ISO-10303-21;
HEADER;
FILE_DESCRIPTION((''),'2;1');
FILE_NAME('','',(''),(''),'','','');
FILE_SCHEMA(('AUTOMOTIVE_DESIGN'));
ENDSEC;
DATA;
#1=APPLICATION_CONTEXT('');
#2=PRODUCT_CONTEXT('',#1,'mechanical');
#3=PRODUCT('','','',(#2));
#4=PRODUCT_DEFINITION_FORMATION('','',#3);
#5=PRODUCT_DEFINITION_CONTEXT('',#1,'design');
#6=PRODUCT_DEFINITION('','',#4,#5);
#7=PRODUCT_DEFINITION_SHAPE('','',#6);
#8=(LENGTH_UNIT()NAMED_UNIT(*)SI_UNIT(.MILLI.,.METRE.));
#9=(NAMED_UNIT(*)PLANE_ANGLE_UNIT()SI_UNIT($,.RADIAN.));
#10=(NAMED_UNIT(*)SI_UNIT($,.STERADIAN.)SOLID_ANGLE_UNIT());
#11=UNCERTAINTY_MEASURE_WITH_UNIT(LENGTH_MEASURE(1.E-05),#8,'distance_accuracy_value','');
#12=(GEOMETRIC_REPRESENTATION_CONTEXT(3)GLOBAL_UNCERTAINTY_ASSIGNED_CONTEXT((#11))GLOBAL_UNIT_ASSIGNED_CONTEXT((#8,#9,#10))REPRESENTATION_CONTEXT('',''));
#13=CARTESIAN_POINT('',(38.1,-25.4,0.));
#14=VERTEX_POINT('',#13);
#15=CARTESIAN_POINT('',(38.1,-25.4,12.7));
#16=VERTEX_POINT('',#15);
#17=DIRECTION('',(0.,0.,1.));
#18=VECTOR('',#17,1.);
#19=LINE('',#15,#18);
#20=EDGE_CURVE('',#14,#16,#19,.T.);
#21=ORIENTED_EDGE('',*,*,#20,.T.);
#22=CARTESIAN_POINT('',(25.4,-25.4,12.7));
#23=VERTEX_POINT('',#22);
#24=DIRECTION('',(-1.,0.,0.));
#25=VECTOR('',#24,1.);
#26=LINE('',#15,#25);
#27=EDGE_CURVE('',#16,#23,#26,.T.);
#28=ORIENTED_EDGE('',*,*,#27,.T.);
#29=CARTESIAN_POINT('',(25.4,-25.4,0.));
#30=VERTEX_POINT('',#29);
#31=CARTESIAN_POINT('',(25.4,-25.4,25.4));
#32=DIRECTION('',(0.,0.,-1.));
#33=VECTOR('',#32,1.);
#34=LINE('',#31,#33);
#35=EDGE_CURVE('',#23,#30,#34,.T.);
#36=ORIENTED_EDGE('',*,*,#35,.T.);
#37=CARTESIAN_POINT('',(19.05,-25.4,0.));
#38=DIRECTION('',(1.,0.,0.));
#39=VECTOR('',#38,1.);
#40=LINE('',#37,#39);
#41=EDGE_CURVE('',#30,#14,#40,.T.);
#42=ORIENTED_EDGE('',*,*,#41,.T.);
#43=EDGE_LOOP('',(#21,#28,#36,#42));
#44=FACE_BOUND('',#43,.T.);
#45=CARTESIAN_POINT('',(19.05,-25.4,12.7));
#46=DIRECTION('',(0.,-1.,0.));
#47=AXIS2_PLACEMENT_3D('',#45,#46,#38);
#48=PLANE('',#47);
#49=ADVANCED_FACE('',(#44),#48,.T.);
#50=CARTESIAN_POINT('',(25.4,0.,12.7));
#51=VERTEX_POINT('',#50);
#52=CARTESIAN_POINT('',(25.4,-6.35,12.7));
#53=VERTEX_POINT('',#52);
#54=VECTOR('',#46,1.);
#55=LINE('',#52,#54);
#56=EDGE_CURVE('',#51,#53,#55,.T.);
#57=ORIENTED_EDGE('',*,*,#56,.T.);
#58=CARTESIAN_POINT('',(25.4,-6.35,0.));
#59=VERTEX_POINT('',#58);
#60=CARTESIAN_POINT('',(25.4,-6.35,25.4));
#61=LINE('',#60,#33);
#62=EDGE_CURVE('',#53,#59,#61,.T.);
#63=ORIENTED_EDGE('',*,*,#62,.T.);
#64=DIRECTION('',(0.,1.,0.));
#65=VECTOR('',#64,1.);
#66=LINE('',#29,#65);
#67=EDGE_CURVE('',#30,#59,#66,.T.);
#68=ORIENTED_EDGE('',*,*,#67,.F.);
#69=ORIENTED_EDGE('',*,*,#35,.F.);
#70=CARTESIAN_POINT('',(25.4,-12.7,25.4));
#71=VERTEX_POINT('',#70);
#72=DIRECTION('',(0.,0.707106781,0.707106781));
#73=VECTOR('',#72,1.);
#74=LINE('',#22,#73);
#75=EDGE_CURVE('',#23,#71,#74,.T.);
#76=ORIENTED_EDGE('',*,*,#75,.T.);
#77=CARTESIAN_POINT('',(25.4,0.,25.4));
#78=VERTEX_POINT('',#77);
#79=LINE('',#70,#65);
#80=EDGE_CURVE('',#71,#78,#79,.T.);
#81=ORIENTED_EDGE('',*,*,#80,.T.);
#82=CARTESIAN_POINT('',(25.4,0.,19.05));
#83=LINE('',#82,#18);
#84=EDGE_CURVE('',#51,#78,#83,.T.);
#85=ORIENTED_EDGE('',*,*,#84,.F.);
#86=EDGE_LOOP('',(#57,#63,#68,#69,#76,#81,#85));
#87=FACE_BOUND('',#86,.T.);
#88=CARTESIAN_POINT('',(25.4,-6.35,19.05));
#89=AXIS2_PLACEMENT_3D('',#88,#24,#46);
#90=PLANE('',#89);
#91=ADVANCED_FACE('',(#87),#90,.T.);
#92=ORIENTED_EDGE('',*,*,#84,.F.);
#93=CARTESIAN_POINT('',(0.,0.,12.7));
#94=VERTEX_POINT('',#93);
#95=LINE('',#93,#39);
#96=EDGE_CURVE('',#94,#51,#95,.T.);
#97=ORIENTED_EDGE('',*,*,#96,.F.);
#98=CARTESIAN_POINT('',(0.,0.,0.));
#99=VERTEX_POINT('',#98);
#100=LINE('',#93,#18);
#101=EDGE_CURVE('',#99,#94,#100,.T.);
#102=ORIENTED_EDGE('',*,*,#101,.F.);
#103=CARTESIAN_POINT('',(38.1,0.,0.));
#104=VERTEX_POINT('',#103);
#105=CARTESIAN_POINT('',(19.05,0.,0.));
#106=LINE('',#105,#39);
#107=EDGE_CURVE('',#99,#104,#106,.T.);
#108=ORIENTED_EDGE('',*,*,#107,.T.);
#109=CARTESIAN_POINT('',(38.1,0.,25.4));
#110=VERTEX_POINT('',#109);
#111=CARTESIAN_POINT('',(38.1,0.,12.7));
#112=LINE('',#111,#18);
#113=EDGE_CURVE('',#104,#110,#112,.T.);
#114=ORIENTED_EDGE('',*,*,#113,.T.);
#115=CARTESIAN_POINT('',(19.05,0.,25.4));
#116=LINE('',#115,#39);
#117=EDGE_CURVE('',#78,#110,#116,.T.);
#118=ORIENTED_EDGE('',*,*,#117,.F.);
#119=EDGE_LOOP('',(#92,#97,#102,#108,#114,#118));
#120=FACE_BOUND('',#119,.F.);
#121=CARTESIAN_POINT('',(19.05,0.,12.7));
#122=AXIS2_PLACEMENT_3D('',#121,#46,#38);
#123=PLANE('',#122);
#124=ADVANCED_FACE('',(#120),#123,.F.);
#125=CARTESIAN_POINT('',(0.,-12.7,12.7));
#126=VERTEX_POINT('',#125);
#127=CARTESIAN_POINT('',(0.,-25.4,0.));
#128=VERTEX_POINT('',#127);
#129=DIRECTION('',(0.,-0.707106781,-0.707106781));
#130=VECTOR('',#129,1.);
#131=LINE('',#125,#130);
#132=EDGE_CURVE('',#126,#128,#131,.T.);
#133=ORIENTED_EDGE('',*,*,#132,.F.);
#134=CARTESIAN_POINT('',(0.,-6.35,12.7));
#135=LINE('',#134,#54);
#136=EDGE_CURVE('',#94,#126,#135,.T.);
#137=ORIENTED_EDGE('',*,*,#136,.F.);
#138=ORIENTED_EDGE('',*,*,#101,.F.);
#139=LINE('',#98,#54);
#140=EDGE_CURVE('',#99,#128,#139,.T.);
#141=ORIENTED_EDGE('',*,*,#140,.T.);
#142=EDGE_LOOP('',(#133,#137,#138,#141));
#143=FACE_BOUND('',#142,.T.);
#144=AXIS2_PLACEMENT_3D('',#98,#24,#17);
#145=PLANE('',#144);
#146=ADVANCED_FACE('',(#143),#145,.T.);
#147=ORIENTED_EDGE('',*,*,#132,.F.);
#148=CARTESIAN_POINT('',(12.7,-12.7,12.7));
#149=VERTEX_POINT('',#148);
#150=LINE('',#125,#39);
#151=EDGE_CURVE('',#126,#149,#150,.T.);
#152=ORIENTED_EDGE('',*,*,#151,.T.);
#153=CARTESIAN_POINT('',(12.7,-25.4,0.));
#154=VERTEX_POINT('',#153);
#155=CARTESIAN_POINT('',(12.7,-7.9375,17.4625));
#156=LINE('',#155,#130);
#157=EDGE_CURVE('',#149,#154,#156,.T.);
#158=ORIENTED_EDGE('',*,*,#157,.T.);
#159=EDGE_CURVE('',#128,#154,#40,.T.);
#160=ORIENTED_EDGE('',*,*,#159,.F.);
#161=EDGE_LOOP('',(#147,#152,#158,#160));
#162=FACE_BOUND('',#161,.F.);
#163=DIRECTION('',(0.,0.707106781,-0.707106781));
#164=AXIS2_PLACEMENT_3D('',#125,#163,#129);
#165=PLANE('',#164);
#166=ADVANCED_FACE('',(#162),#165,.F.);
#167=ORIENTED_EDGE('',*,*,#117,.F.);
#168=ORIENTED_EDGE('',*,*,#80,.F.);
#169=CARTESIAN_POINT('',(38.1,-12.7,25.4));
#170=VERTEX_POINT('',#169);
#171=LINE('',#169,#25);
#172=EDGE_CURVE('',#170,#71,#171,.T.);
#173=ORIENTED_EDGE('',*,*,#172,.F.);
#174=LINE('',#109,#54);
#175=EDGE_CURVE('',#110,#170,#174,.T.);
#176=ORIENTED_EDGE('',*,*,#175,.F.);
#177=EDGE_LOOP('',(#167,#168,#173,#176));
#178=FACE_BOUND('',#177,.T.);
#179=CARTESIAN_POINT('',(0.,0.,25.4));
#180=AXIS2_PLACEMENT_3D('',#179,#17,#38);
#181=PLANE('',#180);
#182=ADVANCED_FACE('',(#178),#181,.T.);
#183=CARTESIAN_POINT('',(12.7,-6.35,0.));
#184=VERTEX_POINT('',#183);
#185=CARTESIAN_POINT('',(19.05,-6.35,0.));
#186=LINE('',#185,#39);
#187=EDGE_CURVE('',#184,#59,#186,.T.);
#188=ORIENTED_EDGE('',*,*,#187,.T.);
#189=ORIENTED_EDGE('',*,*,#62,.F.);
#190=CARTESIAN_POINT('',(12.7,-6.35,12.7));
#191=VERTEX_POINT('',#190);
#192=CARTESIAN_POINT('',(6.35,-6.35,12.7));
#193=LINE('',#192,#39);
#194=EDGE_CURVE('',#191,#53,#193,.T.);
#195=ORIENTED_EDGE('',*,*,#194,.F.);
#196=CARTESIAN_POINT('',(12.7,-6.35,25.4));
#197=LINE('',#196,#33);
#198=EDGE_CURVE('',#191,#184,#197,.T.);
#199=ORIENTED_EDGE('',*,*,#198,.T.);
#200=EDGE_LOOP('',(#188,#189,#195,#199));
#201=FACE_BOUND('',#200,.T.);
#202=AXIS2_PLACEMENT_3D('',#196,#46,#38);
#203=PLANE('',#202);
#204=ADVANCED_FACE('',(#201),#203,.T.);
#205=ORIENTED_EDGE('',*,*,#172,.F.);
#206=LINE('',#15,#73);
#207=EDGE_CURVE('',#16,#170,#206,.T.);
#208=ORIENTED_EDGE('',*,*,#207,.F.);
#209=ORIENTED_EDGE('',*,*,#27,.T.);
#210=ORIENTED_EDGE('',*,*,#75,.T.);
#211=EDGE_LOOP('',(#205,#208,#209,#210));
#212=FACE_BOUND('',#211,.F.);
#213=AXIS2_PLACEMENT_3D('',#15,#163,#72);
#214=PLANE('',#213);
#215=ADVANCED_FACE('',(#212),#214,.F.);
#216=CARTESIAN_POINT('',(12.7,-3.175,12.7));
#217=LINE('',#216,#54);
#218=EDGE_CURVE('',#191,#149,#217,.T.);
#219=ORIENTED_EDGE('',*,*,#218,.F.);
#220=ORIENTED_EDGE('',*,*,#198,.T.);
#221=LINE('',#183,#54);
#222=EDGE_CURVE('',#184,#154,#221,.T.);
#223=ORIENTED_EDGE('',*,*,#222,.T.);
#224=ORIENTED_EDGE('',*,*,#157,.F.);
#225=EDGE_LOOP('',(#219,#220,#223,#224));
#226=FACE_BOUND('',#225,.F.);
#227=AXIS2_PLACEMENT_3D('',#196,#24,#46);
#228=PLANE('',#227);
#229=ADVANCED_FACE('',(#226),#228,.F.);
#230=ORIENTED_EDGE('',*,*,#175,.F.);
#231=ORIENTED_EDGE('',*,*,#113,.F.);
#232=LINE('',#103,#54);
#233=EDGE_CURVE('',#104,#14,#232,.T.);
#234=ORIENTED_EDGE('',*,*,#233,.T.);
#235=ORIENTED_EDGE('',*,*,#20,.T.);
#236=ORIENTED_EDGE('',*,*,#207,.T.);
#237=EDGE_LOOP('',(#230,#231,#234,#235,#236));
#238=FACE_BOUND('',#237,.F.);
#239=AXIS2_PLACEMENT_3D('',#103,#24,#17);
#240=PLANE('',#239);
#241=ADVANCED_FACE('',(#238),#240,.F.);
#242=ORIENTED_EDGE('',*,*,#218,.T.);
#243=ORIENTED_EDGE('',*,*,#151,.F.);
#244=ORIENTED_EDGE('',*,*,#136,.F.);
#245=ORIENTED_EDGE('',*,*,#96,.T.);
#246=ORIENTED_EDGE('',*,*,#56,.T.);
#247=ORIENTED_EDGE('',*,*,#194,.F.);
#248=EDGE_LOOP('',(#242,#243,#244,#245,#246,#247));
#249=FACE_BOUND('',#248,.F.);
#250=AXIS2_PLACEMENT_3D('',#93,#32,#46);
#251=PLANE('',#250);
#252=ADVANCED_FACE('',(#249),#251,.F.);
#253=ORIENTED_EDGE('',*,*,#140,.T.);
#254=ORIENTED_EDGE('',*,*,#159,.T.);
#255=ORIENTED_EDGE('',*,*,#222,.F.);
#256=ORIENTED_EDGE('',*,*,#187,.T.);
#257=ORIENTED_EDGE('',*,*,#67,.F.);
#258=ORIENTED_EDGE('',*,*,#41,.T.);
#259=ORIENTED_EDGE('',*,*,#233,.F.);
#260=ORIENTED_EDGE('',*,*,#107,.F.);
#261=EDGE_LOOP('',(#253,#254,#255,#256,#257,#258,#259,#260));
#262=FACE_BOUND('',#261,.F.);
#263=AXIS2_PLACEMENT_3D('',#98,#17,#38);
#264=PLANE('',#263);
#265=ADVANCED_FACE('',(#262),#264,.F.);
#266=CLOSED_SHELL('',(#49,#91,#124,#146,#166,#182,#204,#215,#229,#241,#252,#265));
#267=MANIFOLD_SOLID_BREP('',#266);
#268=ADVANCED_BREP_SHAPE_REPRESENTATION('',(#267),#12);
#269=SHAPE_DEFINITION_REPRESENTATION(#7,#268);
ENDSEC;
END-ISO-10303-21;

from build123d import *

# Parameters (mm, degrees)
F0_W     = 38.1
F0_H     = 25.4
F1_DEPTH = 25.4
F3_DEPTH = 12.7
F4_W     = 12.7
F4_H     = 6.35
F4_H_2   = 12.7
F5_DEPTH = 25.4
F6_W     = 12.7
F6_H     = 12.7
F7_DEPTH = 25.4
F9_DEPTH = 25.4


with BuildPart() as f1:
    # F0 (on Front) → F1 (new body)
    with BuildSketch(Plane.XZ):
        with Locations((19.05, 12.7)):
            Rectangle(F0_W, F0_H)
    extrude(amount=F1_DEPTH)

    # F2 (on face) → F3 (cut)
    with BuildSketch(Plane.YZ.offset(38.1)):
        Polygon((-25.4, 25.4), (-25.4, 12.7), (-12.7, 25.4), align=None)
    extrude(amount=-F3_DEPTH, mode=Mode.SUBTRACT)

    # F4 (on face) → F5 (cut)
    with BuildSketch(Plane.XY.offset(25.4)):
        with Locations((19.05, -9.525)):
            Rectangle(F4_W, F4_H)
        with Locations((19.05, -19.05)):
            Rectangle(F4_W, F4_H_2)
    extrude(amount=-F5_DEPTH, mode=Mode.SUBTRACT)

    # F6 (on face) → F7 (cut)
    with BuildSketch(Plane(origin=(0, 0, 0), x_dir=(0, -1, 0), z_dir=(-1, 0, 0))):
        with Locations((6.35, 19.05)):
            Rectangle(F6_W, F6_H)
    extrude(amount=-F7_DEPTH, mode=Mode.SUBTRACT)

    # F8 (on face) → F9 (cut)
    with BuildSketch(Plane(origin=(0, 0, 0), x_dir=(0, -1, 0), z_dir=(-1, 0, 0))):
        Polygon((12.7, 25.4), (12.7, 12.7), (25.4, 0), (25.4, 25.4), align=None)
    extrude(amount=-F9_DEPTH, mode=Mode.SUBTRACT)


solid = f1.part
